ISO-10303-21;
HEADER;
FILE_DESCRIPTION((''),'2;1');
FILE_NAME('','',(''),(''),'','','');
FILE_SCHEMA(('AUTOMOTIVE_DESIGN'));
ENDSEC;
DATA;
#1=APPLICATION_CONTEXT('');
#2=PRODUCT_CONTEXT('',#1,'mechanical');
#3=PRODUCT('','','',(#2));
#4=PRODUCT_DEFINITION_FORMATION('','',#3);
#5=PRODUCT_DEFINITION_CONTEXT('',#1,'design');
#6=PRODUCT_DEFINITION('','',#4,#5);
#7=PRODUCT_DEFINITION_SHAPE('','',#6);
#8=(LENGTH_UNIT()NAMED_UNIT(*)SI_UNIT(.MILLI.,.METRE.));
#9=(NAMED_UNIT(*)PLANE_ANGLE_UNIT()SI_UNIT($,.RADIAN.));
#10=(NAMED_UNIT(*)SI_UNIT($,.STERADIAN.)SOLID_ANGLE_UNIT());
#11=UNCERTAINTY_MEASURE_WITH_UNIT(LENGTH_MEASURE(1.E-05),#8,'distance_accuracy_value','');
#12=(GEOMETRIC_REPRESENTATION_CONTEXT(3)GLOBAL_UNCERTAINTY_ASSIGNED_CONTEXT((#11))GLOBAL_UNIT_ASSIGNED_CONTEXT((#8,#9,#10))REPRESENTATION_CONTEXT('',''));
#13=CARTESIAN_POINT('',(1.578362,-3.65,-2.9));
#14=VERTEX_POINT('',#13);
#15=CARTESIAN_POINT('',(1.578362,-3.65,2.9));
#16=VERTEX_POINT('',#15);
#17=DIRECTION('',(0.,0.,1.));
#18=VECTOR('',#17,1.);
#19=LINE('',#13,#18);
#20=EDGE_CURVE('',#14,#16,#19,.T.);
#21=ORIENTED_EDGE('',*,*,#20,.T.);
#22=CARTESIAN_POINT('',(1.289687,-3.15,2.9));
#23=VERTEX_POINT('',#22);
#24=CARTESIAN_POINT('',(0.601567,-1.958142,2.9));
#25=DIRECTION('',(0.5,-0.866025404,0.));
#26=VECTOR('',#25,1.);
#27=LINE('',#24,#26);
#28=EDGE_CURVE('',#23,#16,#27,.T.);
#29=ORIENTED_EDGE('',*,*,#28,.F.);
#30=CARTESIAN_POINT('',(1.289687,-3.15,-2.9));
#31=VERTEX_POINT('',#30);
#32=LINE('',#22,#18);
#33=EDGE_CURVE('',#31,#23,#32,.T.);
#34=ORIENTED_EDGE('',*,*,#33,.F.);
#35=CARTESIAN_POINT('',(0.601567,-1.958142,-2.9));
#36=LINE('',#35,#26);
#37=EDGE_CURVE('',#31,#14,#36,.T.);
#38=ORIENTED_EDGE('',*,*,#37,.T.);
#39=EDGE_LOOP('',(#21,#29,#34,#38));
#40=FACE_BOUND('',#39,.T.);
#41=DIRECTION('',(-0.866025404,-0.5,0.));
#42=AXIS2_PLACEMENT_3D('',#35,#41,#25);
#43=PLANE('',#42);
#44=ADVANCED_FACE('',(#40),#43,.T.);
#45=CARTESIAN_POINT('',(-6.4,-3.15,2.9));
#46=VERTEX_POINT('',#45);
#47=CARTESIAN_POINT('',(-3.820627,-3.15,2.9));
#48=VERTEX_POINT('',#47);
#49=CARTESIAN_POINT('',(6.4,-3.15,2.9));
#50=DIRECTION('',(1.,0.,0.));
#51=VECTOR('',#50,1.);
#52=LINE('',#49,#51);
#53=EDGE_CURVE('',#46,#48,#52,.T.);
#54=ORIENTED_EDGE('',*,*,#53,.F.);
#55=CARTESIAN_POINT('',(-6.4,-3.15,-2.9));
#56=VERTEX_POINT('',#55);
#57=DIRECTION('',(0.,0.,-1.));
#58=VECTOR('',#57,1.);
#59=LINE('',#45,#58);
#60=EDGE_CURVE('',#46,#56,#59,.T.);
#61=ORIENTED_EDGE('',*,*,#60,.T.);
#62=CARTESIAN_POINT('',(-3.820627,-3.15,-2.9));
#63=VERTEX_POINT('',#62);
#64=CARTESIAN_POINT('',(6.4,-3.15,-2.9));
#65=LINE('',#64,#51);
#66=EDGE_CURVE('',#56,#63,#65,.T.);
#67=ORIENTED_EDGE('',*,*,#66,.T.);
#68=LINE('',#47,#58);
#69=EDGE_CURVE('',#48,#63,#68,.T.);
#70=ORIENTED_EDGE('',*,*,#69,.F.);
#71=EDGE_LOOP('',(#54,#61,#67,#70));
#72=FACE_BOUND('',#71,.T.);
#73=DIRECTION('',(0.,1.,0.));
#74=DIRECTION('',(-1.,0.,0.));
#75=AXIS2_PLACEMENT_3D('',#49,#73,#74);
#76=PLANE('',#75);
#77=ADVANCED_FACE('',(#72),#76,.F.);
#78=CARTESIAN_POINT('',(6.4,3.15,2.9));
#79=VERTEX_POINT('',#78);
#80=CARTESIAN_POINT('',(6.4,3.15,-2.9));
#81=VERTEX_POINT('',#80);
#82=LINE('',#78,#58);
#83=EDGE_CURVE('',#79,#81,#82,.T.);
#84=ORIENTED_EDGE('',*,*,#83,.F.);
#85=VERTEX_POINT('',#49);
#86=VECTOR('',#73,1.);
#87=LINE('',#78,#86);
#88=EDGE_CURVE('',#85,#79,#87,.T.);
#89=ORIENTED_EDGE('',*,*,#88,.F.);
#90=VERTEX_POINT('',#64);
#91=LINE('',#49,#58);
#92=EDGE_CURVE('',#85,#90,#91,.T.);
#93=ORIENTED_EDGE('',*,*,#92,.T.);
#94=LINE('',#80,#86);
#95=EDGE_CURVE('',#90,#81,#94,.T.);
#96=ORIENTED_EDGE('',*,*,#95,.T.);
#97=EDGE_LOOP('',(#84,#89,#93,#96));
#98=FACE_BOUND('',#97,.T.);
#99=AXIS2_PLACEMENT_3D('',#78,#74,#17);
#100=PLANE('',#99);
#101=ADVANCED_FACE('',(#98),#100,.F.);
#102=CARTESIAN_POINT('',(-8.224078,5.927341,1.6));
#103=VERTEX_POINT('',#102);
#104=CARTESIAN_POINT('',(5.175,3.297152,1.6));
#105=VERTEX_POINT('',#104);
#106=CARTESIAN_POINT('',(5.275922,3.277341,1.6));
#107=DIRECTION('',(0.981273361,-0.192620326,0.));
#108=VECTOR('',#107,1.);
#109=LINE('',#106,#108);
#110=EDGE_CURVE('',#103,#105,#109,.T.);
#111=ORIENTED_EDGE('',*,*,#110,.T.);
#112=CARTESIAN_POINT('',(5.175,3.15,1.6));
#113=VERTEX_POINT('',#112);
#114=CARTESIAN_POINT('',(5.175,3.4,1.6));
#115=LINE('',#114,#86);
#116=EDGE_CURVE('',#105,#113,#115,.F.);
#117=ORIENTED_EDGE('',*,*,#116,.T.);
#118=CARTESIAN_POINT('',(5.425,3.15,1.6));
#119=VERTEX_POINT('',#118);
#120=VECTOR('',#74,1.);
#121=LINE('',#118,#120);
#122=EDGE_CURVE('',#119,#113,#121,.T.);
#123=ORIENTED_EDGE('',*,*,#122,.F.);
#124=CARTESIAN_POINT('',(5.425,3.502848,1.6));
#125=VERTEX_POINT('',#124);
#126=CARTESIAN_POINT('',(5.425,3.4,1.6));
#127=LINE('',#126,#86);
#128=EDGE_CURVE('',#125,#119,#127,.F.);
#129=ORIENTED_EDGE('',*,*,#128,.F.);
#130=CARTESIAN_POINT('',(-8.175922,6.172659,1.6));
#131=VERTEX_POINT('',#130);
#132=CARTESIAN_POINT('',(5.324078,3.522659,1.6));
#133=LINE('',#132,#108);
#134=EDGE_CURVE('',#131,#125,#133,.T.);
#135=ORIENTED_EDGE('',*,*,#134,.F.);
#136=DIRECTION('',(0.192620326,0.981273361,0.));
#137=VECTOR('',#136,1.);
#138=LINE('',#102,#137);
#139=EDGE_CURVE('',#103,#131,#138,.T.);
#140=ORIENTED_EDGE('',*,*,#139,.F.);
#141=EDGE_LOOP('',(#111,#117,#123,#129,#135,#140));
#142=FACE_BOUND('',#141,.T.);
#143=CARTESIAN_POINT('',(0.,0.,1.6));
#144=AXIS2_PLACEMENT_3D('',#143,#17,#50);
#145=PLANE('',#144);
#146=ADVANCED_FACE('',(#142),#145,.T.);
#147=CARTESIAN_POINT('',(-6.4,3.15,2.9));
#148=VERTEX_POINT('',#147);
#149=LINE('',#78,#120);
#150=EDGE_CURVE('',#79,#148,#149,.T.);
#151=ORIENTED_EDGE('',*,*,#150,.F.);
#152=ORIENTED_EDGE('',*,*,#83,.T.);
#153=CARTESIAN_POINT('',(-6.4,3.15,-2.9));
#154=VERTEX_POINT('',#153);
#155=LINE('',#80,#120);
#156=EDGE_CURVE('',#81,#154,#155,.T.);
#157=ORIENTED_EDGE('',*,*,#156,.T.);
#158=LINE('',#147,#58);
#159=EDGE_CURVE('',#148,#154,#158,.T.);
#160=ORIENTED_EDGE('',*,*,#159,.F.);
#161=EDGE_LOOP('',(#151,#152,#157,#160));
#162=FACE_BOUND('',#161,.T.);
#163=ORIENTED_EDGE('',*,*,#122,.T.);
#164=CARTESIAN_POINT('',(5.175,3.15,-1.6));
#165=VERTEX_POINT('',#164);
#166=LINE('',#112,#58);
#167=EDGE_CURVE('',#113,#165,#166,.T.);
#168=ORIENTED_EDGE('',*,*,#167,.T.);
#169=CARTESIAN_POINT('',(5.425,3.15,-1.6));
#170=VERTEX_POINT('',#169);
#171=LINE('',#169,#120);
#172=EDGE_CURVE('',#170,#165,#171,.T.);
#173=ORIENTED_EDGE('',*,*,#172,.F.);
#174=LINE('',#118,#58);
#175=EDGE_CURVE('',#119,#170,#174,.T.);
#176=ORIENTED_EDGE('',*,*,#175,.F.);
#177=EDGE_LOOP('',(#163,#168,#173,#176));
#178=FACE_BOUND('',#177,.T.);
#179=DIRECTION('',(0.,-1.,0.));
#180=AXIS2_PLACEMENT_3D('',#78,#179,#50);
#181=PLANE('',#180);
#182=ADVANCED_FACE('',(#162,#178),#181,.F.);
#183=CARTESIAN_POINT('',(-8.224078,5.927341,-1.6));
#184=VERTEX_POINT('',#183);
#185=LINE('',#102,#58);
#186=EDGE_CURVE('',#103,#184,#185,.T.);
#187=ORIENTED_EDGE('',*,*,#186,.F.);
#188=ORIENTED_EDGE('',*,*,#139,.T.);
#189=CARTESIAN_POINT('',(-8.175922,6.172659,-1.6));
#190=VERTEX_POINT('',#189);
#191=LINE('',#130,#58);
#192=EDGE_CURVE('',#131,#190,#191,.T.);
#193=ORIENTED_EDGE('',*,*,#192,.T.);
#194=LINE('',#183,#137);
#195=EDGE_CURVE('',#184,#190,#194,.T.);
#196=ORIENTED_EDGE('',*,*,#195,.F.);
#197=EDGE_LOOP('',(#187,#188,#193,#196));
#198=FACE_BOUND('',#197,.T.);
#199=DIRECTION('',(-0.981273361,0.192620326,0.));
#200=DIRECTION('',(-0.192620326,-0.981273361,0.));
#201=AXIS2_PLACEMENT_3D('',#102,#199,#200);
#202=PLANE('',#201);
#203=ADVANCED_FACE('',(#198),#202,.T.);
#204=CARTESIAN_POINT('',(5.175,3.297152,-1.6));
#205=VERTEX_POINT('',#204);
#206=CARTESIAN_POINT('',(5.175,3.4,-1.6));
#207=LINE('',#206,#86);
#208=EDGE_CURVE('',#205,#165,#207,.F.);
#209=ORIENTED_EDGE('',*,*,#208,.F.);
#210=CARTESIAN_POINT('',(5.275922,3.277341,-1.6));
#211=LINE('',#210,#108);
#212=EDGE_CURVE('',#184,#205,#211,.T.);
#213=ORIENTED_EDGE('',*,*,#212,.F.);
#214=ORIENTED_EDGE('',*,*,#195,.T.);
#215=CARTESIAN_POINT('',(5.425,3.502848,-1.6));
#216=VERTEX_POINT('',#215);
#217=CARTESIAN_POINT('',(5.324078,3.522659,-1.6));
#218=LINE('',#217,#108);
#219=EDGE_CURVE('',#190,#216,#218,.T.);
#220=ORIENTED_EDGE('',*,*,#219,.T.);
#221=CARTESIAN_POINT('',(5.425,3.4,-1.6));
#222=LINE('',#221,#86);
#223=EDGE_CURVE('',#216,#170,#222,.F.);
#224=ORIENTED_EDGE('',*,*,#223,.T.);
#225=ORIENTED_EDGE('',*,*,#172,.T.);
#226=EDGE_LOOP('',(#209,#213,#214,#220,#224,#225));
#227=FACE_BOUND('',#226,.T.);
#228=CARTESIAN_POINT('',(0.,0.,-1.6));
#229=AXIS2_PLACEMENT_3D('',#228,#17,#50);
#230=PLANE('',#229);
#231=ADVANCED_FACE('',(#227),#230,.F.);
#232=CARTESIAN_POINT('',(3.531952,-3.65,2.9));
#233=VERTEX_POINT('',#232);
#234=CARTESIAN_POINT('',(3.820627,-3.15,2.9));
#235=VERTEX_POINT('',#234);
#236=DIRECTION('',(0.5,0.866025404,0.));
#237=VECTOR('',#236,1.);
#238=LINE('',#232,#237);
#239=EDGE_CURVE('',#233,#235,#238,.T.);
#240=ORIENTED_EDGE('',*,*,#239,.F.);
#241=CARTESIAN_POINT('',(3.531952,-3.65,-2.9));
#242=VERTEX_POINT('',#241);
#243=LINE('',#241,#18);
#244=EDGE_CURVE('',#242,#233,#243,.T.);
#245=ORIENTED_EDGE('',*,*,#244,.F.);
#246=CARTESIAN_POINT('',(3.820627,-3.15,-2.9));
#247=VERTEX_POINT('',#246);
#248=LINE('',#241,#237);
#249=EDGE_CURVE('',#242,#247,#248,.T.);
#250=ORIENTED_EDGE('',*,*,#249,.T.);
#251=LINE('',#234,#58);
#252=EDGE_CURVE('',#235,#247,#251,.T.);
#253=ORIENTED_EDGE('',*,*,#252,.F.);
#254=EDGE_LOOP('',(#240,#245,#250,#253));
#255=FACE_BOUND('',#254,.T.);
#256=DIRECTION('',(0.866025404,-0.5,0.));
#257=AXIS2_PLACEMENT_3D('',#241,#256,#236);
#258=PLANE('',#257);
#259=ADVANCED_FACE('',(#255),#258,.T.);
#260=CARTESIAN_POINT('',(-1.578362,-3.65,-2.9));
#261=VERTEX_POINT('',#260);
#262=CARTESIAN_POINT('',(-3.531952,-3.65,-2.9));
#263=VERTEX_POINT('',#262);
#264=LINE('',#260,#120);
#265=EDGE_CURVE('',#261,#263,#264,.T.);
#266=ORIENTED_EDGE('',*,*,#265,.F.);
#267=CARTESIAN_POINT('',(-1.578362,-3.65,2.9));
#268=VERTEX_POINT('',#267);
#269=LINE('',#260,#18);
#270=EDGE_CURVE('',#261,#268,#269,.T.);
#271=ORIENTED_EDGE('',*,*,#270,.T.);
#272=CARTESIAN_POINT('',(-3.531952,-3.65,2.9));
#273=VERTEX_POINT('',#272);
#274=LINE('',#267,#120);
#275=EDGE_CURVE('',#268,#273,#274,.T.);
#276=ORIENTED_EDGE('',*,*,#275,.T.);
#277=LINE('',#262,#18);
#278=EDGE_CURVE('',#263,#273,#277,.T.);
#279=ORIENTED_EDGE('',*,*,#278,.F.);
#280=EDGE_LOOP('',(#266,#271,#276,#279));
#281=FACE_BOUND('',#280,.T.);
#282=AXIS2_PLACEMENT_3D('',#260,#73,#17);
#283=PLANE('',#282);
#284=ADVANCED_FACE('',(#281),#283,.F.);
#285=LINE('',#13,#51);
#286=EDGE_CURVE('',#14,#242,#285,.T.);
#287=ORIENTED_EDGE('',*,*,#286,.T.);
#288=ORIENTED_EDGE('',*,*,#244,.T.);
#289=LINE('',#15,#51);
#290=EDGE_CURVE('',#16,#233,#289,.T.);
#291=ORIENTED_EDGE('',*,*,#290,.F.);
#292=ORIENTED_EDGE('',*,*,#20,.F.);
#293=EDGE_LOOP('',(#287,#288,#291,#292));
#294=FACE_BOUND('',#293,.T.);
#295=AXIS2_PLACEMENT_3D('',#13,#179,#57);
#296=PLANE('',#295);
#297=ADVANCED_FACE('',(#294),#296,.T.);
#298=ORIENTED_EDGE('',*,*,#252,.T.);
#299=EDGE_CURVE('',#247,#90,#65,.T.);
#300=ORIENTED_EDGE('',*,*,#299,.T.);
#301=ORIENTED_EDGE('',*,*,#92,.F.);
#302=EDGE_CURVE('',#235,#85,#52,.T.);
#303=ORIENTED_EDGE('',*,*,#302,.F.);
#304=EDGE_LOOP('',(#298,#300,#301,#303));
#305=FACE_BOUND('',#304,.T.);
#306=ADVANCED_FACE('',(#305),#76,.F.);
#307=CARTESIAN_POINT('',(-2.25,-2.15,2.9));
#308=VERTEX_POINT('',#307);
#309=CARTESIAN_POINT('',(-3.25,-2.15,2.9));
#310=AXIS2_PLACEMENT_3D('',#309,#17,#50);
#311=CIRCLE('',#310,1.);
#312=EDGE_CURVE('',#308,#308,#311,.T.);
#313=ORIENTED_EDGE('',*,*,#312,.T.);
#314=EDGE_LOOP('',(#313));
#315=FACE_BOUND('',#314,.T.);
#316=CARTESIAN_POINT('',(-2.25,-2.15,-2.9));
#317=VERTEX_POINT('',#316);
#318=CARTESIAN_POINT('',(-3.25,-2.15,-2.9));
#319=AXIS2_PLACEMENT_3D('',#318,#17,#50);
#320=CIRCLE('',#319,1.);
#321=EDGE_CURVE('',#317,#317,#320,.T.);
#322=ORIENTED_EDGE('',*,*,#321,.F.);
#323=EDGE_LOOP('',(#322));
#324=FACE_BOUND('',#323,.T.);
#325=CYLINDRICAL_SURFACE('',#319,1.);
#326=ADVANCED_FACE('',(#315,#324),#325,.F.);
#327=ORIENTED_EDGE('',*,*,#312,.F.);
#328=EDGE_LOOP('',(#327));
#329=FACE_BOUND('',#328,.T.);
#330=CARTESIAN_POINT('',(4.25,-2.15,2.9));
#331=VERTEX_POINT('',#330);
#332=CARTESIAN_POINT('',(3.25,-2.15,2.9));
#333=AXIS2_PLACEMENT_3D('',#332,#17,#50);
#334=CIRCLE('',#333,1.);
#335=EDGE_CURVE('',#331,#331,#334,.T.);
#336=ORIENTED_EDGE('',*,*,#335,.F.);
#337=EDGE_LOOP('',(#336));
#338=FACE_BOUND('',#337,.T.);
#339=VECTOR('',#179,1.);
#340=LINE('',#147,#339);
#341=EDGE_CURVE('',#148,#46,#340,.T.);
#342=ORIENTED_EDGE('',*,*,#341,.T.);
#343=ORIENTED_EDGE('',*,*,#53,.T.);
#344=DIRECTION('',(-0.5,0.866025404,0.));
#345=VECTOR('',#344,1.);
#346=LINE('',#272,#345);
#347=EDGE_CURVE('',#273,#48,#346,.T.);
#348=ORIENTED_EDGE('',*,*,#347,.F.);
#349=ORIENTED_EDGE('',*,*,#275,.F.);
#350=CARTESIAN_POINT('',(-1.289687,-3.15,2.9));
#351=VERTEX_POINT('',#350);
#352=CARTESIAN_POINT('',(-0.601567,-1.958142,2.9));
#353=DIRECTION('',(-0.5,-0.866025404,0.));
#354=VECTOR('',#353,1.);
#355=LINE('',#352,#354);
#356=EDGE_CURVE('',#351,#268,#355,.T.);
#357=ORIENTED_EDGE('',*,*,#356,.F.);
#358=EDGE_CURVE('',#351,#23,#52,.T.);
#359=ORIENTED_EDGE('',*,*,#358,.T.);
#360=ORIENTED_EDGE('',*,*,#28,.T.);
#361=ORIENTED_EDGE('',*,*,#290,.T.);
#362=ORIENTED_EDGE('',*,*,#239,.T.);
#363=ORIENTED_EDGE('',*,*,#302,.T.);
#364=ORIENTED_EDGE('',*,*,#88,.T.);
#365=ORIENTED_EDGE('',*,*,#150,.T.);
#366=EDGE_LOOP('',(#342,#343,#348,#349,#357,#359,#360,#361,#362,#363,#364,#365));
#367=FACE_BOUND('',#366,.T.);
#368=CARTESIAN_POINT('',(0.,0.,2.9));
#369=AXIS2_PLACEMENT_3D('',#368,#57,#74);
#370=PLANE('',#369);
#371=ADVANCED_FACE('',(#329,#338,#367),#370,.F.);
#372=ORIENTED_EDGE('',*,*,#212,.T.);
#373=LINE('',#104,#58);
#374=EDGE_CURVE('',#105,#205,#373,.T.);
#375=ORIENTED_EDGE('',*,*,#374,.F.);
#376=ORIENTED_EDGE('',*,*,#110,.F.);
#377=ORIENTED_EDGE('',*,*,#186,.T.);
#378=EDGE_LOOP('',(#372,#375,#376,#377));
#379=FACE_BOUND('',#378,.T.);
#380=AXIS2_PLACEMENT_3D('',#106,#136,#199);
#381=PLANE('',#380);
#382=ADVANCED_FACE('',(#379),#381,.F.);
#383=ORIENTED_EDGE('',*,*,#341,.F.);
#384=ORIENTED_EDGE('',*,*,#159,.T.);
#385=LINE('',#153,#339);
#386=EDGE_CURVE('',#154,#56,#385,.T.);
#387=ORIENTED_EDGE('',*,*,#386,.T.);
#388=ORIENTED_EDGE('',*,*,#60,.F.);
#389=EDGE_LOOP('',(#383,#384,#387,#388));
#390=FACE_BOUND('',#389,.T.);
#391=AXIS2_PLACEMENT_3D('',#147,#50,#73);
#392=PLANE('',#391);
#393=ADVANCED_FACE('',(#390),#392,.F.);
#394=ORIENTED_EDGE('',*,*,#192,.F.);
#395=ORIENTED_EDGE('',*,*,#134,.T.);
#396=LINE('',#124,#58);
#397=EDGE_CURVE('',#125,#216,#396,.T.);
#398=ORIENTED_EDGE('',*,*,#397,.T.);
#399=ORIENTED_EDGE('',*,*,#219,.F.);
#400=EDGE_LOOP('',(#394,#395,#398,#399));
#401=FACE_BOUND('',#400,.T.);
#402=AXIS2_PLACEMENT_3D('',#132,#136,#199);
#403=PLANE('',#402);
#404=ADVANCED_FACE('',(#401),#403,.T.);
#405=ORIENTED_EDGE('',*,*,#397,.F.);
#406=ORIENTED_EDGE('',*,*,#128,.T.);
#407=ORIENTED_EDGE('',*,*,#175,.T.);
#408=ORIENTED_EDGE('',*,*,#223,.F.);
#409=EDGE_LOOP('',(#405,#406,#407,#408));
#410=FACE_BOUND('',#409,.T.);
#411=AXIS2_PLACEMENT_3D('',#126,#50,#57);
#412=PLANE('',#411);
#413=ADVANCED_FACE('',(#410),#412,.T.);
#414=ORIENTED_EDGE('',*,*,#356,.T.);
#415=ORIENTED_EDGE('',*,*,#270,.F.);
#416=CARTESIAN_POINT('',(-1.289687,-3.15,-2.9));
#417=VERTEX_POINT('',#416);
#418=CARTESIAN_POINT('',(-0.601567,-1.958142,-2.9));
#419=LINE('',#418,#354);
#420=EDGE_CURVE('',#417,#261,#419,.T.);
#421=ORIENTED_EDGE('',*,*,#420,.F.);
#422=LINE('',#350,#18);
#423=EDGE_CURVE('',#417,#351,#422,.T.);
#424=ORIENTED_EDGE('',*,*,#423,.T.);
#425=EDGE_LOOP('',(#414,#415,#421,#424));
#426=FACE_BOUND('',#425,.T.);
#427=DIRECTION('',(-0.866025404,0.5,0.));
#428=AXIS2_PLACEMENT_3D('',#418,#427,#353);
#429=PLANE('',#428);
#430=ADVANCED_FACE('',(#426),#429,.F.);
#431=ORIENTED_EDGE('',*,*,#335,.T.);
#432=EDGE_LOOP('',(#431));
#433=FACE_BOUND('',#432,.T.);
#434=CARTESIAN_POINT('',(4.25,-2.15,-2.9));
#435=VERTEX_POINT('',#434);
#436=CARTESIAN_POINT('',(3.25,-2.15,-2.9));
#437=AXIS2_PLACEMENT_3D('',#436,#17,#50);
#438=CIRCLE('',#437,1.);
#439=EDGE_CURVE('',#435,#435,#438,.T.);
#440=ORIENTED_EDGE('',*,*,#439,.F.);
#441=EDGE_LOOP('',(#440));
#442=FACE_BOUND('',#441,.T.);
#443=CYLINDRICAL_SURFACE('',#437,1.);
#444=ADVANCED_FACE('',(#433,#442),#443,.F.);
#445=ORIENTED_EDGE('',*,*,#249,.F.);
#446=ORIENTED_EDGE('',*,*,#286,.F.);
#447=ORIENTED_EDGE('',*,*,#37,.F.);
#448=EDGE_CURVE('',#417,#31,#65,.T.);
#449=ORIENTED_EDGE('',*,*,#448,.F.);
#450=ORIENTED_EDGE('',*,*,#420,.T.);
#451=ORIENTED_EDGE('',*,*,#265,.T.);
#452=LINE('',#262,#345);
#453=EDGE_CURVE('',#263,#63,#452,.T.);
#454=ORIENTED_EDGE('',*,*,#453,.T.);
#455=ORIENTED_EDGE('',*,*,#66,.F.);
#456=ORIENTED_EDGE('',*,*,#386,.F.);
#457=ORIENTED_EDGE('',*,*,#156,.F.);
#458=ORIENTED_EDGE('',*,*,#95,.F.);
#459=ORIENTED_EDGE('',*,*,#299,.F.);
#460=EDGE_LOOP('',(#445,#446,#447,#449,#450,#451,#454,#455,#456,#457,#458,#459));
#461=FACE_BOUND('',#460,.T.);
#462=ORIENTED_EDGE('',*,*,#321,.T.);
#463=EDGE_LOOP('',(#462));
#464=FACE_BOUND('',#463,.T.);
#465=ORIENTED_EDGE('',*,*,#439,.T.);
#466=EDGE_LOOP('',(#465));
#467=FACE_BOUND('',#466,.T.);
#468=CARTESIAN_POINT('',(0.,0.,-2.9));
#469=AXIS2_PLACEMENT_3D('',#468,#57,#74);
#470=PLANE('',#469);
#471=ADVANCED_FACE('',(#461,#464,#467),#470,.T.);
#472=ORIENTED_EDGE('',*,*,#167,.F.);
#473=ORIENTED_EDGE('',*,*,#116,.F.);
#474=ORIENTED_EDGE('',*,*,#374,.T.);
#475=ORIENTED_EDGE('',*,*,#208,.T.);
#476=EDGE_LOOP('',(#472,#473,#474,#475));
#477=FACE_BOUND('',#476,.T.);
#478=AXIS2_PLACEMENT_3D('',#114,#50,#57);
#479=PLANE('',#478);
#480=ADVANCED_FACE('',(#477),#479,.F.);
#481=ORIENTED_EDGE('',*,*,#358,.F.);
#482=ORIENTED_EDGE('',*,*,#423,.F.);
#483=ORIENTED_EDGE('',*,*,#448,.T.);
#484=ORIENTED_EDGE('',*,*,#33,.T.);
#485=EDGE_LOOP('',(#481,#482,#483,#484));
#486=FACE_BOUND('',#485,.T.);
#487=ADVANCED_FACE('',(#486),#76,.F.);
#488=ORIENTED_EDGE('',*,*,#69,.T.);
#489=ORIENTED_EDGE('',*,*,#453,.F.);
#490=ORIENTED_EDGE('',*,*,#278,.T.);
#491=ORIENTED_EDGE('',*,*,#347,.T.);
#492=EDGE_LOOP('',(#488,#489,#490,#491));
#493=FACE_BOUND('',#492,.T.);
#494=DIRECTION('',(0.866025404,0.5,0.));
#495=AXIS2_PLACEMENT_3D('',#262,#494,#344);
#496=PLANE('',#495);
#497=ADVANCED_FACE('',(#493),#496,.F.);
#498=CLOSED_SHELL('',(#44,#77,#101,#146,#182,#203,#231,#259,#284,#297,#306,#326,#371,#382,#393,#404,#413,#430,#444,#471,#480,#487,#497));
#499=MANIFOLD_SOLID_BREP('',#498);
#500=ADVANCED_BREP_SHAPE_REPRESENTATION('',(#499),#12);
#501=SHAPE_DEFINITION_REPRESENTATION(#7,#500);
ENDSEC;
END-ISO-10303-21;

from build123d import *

# Parameters (mm, degrees)
SKETCH1_W           = 12.8
SKETCH1_H           = 6.3
BOSS_EXTRUDE1_DEPTH = 2.9
BOSS_EXTRUDE3_DEPTH = 5.8
SKETCH2_3_R         = 1
CUT_EXTRUDE2_DEPTH  = 10.376699846
EXTRUDE_THIN1_DEPTH = 1.6


with BuildPart() as part:
    # Sketch1 → Boss-Extrude1 (new, symmetric)
    with BuildSketch(Plane.XY):
        Rectangle(SKETCH1_W, SKETCH1_H)
    extrude(amount=BOSS_EXTRUDE1_DEPTH, both=True)

    # Sketch2 → Boss-Extrude3 (add, through all)
    with BuildSketch(Plane.XY.offset(2.9)):
        Polygon((-4.508746523, -1.958141571), (-3.531951604, -0.266283143), (-1.578361765, -0.266283143), (-0.601566846, -1.958141571), (-1.578361765, -3.65), (-3.531951604, -3.65), align=None)
        Polygon((3.531951604, -0.266283143), (1.578361765, -0.266283143), (0.601566846, -1.958141571), (1.578361765, -3.65), (3.531951604, -3.65), (4.508746523, -1.958141571), align=None)
    extrude(amount=-BOSS_EXTRUDE3_DEPTH)

    # Sketch2<3> → Cut-Extrude2 (cut, through all)
    with BuildSketch(Plane.XY.offset(2.9)):
        with Locations((3.25, -2.15)):
            Circle(SKETCH2_3_R)
        with Locations((-3.25, -2.15)):
            Circle(SKETCH2_3_R)
    extrude(amount=-CUT_EXTRUDE2_DEPTH, mode=Mode.SUBTRACT)

    # Sketch3 → Extrude-Thin1 (add, symmetric)
    with BuildSketch(Plane.XY):
        Polygon((5.425, 3.15), (5.425, 3.502848465), (-8.175922459, 6.17265917), (-8.224077541, 5.92734083), (5.175, 3.297151535), (5.175, 3.15), align=None)
    extrude(amount=EXTRUDE_THIN1_DEPTH, both=True)


solid = part.part
